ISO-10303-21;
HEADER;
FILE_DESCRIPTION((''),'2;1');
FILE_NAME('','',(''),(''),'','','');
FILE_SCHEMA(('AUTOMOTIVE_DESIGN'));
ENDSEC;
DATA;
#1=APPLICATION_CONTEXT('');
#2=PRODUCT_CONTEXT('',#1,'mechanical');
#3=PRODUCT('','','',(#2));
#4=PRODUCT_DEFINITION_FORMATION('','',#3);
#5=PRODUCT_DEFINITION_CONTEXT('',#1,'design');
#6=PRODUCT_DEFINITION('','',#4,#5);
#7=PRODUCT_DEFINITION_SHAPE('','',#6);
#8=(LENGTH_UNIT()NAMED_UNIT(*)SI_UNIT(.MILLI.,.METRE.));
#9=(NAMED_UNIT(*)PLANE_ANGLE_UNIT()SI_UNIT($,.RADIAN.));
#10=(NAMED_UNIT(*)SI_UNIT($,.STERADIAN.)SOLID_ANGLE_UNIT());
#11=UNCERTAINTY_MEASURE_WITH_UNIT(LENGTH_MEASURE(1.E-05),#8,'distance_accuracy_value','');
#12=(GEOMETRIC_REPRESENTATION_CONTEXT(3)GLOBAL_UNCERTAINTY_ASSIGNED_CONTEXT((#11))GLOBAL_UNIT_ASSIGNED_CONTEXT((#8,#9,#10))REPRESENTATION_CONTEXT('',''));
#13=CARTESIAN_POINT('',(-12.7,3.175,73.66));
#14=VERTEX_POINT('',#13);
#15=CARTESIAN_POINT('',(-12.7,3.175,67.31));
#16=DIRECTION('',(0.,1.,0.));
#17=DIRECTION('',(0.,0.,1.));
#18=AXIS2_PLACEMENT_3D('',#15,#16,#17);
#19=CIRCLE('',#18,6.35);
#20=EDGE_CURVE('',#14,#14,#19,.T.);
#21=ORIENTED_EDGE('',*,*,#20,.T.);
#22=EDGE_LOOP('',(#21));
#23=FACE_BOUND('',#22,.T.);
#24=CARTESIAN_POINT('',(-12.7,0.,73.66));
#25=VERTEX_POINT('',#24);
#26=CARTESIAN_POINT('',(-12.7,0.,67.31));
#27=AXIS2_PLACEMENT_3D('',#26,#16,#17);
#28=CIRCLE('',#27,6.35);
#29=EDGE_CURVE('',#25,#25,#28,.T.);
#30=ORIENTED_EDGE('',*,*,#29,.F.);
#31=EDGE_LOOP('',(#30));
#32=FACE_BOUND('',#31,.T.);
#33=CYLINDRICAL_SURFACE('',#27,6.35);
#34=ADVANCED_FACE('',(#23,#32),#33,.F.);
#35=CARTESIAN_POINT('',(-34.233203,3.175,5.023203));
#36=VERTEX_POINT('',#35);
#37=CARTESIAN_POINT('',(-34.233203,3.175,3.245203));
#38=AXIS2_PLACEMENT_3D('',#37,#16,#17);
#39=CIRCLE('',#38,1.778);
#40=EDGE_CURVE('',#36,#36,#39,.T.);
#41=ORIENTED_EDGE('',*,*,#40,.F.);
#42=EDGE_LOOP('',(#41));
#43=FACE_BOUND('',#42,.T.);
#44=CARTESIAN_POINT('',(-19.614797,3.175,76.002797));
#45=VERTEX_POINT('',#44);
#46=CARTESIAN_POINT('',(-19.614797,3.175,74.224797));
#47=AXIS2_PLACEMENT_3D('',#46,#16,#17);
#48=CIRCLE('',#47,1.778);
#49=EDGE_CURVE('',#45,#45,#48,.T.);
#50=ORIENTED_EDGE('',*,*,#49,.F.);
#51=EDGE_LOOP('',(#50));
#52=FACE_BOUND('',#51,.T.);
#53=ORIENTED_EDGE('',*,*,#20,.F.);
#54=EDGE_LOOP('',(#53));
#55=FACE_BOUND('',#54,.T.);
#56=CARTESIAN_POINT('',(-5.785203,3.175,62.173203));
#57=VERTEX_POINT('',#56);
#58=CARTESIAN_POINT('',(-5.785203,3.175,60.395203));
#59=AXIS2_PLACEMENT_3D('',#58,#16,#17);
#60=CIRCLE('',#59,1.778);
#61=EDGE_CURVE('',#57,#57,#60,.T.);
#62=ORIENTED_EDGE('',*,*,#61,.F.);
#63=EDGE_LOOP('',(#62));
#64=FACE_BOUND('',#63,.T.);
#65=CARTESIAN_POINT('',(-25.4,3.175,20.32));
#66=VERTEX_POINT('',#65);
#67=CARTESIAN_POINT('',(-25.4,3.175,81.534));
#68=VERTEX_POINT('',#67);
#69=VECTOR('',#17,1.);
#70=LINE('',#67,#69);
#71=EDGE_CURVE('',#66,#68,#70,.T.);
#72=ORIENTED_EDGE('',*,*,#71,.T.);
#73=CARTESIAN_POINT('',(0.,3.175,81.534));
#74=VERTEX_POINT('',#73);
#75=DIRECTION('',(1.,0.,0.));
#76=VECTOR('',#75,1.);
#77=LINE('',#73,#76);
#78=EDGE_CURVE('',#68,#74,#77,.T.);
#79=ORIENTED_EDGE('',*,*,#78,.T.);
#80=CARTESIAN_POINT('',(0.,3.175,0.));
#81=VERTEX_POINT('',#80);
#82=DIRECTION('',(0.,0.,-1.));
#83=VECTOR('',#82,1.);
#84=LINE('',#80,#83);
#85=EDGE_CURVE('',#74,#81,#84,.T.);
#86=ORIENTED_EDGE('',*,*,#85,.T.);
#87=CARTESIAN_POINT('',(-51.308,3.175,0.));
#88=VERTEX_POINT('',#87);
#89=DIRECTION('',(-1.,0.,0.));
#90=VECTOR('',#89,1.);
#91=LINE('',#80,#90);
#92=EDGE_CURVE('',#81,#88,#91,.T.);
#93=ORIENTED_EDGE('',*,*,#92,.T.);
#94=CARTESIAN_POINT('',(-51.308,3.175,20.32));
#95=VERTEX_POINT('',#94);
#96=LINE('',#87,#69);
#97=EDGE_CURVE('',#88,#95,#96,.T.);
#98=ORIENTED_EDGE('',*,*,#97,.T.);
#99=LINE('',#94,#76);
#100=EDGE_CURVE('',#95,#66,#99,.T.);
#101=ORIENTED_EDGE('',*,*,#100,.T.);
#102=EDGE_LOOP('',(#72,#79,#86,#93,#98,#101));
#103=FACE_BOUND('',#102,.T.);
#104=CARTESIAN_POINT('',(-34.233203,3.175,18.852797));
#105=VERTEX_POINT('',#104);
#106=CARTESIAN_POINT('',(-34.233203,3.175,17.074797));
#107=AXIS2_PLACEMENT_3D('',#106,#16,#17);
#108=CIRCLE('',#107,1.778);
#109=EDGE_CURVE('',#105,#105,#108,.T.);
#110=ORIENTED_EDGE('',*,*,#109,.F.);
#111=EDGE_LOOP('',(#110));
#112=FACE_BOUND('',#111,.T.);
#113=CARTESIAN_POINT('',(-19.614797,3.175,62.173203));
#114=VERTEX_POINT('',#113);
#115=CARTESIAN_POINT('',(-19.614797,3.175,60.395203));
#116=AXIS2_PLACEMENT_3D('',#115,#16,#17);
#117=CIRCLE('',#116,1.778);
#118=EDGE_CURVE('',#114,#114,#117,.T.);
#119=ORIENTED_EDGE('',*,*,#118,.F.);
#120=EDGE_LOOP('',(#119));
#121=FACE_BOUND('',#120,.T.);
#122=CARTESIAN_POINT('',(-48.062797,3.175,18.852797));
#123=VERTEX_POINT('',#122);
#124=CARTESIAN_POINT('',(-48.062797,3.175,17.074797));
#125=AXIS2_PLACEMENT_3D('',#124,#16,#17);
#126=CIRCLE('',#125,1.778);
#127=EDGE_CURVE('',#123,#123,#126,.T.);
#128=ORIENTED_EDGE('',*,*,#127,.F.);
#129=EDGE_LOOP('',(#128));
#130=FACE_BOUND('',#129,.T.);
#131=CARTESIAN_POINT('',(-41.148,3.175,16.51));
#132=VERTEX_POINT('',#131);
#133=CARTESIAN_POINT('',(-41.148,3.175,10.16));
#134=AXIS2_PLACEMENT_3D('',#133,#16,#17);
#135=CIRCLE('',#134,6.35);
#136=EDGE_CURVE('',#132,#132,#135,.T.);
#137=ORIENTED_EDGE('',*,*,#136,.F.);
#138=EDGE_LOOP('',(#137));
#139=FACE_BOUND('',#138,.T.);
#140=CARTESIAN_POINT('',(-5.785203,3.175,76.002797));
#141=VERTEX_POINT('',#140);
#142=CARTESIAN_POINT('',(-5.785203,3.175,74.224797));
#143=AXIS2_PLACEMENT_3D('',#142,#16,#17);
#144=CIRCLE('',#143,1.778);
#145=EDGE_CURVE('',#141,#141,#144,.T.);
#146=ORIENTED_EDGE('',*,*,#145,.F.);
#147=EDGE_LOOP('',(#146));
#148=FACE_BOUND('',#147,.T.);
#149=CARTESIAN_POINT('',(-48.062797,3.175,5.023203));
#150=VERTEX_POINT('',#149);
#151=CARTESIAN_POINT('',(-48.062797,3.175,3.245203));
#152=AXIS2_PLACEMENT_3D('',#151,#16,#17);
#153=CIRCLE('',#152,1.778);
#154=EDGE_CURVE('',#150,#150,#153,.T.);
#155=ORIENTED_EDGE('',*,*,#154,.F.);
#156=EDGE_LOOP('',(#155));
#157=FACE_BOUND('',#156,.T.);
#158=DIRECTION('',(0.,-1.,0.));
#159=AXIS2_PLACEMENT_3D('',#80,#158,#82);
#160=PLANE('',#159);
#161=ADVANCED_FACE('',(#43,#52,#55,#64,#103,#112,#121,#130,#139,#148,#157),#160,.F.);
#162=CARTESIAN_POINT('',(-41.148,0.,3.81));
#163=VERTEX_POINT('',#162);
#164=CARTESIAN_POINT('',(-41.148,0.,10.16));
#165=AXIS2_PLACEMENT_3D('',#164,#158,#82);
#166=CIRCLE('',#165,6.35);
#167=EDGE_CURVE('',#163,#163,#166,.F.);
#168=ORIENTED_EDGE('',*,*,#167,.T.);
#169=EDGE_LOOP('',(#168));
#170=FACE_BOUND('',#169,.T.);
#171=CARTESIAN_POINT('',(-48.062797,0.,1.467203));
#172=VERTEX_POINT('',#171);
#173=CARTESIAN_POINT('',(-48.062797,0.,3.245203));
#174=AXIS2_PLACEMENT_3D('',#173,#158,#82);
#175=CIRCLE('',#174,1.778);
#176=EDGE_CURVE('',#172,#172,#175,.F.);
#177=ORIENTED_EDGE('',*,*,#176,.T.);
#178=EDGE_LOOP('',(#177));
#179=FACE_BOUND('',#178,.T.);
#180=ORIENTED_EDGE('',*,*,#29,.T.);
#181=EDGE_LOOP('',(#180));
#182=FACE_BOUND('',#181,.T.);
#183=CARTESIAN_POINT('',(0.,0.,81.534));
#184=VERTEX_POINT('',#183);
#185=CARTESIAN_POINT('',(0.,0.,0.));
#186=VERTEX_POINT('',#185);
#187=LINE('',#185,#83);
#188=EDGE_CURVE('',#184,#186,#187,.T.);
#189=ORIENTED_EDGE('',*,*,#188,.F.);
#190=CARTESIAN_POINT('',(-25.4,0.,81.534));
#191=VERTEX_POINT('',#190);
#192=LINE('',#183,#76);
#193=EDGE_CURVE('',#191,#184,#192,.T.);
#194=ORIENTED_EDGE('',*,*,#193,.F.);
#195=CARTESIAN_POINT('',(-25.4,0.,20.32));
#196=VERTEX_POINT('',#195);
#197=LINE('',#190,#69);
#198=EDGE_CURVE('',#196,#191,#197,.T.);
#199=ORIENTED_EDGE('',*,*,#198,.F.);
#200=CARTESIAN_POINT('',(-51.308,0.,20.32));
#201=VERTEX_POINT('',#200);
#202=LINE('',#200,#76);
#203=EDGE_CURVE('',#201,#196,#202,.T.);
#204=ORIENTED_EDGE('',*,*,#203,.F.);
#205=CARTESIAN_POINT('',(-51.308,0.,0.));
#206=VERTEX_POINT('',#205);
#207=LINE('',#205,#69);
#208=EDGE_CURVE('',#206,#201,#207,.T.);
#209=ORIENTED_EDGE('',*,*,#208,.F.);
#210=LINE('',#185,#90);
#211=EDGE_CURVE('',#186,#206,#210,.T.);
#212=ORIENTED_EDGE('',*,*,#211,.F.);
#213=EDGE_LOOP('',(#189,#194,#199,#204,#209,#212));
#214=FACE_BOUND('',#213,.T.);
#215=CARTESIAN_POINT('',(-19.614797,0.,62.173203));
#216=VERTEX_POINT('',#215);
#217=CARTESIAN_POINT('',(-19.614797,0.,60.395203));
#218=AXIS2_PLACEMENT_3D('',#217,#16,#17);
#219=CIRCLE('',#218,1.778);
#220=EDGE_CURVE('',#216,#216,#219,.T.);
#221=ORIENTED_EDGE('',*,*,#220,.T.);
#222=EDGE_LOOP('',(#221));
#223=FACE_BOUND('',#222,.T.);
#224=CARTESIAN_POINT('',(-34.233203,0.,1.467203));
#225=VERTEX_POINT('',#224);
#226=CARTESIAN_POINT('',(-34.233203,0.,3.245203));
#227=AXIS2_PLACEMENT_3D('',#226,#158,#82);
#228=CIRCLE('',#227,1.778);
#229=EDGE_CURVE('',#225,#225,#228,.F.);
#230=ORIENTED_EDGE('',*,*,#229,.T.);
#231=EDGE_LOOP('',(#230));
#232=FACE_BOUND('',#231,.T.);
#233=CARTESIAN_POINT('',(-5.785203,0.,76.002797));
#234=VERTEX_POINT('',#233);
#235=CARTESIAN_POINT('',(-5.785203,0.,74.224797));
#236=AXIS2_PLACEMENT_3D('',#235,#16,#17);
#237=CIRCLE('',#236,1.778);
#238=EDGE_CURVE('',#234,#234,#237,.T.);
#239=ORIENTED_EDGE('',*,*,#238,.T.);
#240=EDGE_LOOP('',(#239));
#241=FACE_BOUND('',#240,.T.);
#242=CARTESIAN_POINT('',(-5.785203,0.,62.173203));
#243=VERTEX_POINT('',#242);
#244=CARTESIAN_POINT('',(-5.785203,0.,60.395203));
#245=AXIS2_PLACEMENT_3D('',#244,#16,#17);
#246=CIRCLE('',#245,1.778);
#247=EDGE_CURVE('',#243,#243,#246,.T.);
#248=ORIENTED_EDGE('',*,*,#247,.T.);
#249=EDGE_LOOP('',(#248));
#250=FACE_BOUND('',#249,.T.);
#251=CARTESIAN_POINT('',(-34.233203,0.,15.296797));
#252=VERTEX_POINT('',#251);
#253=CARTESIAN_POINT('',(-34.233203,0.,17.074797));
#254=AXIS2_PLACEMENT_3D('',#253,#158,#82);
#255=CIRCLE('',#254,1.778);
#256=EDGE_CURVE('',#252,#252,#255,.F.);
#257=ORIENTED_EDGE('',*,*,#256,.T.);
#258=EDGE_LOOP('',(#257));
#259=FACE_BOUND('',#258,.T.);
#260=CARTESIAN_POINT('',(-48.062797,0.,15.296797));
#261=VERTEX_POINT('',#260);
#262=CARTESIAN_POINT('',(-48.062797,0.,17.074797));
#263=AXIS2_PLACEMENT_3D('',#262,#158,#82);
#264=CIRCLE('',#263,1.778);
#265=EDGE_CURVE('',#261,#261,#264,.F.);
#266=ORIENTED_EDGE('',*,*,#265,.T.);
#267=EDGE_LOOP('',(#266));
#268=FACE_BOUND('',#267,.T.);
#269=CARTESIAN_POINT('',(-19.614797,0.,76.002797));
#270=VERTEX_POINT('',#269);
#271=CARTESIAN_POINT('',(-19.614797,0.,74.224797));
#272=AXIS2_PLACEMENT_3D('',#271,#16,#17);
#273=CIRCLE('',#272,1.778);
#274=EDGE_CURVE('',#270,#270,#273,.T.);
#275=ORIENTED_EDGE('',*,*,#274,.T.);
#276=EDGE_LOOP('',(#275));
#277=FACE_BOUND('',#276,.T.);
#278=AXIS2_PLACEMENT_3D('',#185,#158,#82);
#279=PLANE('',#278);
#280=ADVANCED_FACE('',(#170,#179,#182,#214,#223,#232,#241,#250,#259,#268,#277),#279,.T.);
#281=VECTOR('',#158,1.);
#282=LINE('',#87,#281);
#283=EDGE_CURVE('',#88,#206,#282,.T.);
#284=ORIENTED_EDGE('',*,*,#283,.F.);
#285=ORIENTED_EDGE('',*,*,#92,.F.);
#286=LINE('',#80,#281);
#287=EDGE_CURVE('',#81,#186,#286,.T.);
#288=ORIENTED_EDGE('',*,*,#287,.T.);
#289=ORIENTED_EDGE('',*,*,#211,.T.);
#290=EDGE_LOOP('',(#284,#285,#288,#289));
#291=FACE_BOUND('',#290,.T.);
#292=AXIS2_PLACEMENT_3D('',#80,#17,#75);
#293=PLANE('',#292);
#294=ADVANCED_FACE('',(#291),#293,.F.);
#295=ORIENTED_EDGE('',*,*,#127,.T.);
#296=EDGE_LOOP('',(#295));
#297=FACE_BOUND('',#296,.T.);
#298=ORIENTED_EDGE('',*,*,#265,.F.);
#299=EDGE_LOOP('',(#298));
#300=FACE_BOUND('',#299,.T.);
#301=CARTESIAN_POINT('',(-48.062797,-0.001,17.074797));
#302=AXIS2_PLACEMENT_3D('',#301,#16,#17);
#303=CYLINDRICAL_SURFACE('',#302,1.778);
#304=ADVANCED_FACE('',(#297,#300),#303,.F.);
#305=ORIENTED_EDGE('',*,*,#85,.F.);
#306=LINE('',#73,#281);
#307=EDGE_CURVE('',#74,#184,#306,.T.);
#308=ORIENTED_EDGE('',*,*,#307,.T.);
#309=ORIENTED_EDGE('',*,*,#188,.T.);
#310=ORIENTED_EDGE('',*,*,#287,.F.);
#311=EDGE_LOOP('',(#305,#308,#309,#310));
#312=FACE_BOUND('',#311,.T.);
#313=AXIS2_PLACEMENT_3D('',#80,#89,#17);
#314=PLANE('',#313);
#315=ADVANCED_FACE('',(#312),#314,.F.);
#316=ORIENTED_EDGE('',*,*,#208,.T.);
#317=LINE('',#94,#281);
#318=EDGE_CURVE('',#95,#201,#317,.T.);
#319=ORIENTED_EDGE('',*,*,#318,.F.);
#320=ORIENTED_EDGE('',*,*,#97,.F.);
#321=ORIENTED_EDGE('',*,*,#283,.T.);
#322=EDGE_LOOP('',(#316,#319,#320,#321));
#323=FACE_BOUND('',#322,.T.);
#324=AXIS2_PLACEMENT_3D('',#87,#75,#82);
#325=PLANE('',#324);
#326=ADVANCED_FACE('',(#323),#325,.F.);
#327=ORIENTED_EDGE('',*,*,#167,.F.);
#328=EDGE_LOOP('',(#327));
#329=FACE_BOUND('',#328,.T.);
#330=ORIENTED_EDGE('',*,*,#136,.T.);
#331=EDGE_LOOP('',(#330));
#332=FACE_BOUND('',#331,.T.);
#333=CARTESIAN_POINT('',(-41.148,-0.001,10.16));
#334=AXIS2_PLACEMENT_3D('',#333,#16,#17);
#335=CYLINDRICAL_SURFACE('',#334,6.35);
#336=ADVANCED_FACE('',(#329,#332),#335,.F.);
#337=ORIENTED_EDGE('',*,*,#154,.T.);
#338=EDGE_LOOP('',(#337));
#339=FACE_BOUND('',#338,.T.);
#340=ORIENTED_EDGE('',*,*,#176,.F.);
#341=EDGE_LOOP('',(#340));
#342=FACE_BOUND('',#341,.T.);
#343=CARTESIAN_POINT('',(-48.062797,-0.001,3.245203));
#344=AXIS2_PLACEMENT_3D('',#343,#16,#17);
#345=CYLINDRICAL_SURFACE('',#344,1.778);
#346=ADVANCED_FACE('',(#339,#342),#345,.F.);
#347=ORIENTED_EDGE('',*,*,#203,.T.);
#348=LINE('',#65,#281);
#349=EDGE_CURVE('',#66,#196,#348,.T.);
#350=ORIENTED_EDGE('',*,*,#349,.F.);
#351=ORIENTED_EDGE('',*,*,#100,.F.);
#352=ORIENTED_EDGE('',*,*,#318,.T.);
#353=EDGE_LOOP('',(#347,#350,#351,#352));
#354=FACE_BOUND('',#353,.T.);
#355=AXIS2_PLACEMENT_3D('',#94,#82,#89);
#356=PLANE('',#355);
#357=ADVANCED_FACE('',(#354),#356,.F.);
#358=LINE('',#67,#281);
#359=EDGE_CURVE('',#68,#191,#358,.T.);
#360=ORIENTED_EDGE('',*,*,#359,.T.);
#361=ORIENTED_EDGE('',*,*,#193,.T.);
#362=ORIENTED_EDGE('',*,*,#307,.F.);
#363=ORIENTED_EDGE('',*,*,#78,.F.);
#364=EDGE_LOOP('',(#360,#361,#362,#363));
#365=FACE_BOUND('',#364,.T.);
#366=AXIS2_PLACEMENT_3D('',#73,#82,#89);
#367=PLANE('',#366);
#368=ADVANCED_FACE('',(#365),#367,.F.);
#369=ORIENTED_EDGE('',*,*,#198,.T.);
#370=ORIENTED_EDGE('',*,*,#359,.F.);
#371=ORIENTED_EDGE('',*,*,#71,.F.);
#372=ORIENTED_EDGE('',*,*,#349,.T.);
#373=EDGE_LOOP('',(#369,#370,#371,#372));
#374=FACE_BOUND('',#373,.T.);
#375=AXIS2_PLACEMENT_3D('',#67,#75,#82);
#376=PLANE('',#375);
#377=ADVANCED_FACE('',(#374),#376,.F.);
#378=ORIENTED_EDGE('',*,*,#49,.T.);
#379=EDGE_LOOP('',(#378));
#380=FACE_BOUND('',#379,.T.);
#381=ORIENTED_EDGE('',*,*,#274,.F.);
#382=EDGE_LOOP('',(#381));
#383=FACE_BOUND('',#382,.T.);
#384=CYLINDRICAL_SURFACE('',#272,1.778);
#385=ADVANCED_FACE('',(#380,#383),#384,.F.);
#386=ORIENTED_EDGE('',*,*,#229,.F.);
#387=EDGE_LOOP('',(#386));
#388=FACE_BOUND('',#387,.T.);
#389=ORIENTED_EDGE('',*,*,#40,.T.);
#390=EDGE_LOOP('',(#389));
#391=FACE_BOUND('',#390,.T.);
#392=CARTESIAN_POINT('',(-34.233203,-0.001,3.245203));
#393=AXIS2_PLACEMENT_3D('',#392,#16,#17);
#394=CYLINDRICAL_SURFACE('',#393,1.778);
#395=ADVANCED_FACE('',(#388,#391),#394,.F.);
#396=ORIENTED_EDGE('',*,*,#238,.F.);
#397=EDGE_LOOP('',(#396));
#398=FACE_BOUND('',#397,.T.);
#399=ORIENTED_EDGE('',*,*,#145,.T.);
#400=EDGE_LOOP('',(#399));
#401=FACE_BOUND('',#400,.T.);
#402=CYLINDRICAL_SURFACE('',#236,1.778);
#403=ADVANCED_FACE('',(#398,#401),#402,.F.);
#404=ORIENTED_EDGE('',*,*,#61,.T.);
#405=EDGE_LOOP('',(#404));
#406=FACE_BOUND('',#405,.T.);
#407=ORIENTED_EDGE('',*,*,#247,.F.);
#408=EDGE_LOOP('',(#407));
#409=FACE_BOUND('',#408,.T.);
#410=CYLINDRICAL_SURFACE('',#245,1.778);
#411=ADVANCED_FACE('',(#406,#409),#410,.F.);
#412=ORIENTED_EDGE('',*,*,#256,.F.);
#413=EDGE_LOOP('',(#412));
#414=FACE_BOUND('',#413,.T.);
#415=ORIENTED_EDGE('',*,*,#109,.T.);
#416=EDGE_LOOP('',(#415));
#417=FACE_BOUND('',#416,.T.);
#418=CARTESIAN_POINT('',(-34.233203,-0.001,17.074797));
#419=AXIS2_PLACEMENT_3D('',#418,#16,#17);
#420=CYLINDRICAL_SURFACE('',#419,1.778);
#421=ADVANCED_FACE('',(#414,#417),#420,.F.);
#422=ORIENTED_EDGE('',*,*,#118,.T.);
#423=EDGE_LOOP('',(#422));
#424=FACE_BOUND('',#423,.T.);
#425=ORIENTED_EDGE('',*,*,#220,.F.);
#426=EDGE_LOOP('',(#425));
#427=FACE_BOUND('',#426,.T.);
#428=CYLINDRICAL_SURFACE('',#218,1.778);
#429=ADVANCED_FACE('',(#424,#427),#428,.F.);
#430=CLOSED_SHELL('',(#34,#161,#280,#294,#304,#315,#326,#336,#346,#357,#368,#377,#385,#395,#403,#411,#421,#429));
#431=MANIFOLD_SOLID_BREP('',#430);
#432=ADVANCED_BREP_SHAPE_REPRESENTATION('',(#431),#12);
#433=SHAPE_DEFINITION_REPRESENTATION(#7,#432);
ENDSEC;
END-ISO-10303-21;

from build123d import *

# Parameters (mm, degrees)
BOSS_EXTRUDE1_DEPTH = 3.175
SKETCH7_R           = 6.35
SKETCH7_R_2         = 1.778
CUT_EXTRUDE3_DEPTH  = 3.175
CUT_EXTRUDE4_REACH  = 98.387
SKETCH8_R           = 6.35
SKETCH8_R_2         = 1.778


with BuildPart() as part:
    # Sketch1 → Boss-Extrude1 (new body)
    with BuildSketch(Plane(origin=(0, 0, 0), x_dir=(1, 0, 0), z_dir=(0, 1, 0))):
        Polygon((0, 0), (-51.308, 0), (-51.308, -20.32), (-25.4, -20.32), (-25.4, -81.534), (0, -81.534), align=None)
    extrude(amount=BOSS_EXTRUDE1_DEPTH)

    # Sketch7 → Cut-Extrude3 (cut)
    with BuildSketch(Plane(origin=(0, 3.175, 0), x_dir=(1, 0, 0), z_dir=(0, 1, 0))):
        with Locations(Location((-12.7, -67.31, 0), (0, 0, 270))):
            Circle(SKETCH7_R)
        with Locations(Location((-5.785202787, -60.395202787, 0), (0, 0, 270))):
            Circle(SKETCH7_R_2)
        with Locations(Location((-5.785202787, -74.224797213, 0), (0, 0, 270))):
            Circle(SKETCH7_R_2)
        with Locations(Location((-19.614797213, -74.224797213, 0), (0, 0, 270))):
            Circle(SKETCH7_R_2)
        with Locations(Location((-19.614797213, -60.395202787, 0), (0, 0, 270))):
            Circle(SKETCH7_R_2)
    extrude(amount=-CUT_EXTRUDE3_DEPTH, mode=Mode.SUBTRACT)

    # Sketch8 → Cut-Extrude4 (cut, up to next)
    with BuildSketch(Plane(origin=(0, 3.175, 0), x_dir=(1, 0, 0), z_dir=(0, 1, 0)), mode=Mode.PRIVATE) as cut_extrude4_sk1:
        with Locations(Location((-41.148, -10.16, 0), (0, 0, 270))):
            Circle(SKETCH8_R)
    cut_extrude4_tool1 = extrude(cut_extrude4_sk1.sketch, amount=-CUT_EXTRUDE4_REACH, mode=Mode.PRIVATE) & part.part
    # Sketch8 → Cut-Extrude4 (cut, up to next)
    with BuildSketch(Plane(origin=(0, 3.175, 0), x_dir=(1, 0, 0), z_dir=(0, 1, 0)), mode=Mode.PRIVATE) as cut_extrude4_sk2:
        with Locations(Location((-48.062797213, -3.245202787, 0), (0, 0, 270))):
            Circle(SKETCH8_R_2)
    cut_extrude4_tool2 = extrude(cut_extrude4_sk2.sketch, amount=-CUT_EXTRUDE4_REACH, mode=Mode.PRIVATE) & part.part
    # Sketch8 → Cut-Extrude4 (cut, up to next)
    with BuildSketch(Plane(origin=(0, 3.175, 0), x_dir=(1, 0, 0), z_dir=(0, 1, 0)), mode=Mode.PRIVATE) as cut_extrude4_sk3:
        with Locations(Location((-34.233202787, -3.245202787, 0), (0, 0, 270))):
            Circle(SKETCH8_R_2)
    cut_extrude4_tool3 = extrude(cut_extrude4_sk3.sketch, amount=-CUT_EXTRUDE4_REACH, mode=Mode.PRIVATE) & part.part
    # Sketch8 → Cut-Extrude4 (cut, up to next)
    with BuildSketch(Plane(origin=(0, 3.175, 0), x_dir=(1, 0, 0), z_dir=(0, 1, 0)), mode=Mode.PRIVATE) as cut_extrude4_sk4:
        with Locations(Location((-34.233202787, -17.074797213, 0), (0, 0, 270))):
            Circle(SKETCH8_R_2)
    cut_extrude4_tool4 = extrude(cut_extrude4_sk4.sketch, amount=-CUT_EXTRUDE4_REACH, mode=Mode.PRIVATE) & part.part
    # Sketch8 → Cut-Extrude4 (cut, up to next)
    with BuildSketch(Plane(origin=(0, 3.175, 0), x_dir=(1, 0, 0), z_dir=(0, 1, 0)), mode=Mode.PRIVATE) as cut_extrude4_sk5:
        with Locations(Location((-48.062797213, -17.074797213, 0), (0, 0, 270))):
            Circle(SKETCH8_R_2)
    cut_extrude4_tool5 = extrude(cut_extrude4_sk5.sketch, amount=-CUT_EXTRUDE4_REACH, mode=Mode.PRIVATE) & part.part
    add(cut_extrude4_tool1.solids().sort_by_distance((-41.148, 3.175, 10.16))[0], mode=Mode.SUBTRACT)
    add(cut_extrude4_tool2.solids().sort_by_distance((-48.062797, 3.175, 3.245203))[0], mode=Mode.SUBTRACT)
    add(cut_extrude4_tool3.solids().sort_by_distance((-34.233203, 3.175, 3.245203))[0], mode=Mode.SUBTRACT)
    add(cut_extrude4_tool4.solids().sort_by_distance((-34.233203, 3.175, 17.074797))[0], mode=Mode.SUBTRACT)
    add(cut_extrude4_tool5.solids().sort_by_distance((-48.062797, 3.175, 17.074797))[0], mode=Mode.SUBTRACT)


solid = part.part
